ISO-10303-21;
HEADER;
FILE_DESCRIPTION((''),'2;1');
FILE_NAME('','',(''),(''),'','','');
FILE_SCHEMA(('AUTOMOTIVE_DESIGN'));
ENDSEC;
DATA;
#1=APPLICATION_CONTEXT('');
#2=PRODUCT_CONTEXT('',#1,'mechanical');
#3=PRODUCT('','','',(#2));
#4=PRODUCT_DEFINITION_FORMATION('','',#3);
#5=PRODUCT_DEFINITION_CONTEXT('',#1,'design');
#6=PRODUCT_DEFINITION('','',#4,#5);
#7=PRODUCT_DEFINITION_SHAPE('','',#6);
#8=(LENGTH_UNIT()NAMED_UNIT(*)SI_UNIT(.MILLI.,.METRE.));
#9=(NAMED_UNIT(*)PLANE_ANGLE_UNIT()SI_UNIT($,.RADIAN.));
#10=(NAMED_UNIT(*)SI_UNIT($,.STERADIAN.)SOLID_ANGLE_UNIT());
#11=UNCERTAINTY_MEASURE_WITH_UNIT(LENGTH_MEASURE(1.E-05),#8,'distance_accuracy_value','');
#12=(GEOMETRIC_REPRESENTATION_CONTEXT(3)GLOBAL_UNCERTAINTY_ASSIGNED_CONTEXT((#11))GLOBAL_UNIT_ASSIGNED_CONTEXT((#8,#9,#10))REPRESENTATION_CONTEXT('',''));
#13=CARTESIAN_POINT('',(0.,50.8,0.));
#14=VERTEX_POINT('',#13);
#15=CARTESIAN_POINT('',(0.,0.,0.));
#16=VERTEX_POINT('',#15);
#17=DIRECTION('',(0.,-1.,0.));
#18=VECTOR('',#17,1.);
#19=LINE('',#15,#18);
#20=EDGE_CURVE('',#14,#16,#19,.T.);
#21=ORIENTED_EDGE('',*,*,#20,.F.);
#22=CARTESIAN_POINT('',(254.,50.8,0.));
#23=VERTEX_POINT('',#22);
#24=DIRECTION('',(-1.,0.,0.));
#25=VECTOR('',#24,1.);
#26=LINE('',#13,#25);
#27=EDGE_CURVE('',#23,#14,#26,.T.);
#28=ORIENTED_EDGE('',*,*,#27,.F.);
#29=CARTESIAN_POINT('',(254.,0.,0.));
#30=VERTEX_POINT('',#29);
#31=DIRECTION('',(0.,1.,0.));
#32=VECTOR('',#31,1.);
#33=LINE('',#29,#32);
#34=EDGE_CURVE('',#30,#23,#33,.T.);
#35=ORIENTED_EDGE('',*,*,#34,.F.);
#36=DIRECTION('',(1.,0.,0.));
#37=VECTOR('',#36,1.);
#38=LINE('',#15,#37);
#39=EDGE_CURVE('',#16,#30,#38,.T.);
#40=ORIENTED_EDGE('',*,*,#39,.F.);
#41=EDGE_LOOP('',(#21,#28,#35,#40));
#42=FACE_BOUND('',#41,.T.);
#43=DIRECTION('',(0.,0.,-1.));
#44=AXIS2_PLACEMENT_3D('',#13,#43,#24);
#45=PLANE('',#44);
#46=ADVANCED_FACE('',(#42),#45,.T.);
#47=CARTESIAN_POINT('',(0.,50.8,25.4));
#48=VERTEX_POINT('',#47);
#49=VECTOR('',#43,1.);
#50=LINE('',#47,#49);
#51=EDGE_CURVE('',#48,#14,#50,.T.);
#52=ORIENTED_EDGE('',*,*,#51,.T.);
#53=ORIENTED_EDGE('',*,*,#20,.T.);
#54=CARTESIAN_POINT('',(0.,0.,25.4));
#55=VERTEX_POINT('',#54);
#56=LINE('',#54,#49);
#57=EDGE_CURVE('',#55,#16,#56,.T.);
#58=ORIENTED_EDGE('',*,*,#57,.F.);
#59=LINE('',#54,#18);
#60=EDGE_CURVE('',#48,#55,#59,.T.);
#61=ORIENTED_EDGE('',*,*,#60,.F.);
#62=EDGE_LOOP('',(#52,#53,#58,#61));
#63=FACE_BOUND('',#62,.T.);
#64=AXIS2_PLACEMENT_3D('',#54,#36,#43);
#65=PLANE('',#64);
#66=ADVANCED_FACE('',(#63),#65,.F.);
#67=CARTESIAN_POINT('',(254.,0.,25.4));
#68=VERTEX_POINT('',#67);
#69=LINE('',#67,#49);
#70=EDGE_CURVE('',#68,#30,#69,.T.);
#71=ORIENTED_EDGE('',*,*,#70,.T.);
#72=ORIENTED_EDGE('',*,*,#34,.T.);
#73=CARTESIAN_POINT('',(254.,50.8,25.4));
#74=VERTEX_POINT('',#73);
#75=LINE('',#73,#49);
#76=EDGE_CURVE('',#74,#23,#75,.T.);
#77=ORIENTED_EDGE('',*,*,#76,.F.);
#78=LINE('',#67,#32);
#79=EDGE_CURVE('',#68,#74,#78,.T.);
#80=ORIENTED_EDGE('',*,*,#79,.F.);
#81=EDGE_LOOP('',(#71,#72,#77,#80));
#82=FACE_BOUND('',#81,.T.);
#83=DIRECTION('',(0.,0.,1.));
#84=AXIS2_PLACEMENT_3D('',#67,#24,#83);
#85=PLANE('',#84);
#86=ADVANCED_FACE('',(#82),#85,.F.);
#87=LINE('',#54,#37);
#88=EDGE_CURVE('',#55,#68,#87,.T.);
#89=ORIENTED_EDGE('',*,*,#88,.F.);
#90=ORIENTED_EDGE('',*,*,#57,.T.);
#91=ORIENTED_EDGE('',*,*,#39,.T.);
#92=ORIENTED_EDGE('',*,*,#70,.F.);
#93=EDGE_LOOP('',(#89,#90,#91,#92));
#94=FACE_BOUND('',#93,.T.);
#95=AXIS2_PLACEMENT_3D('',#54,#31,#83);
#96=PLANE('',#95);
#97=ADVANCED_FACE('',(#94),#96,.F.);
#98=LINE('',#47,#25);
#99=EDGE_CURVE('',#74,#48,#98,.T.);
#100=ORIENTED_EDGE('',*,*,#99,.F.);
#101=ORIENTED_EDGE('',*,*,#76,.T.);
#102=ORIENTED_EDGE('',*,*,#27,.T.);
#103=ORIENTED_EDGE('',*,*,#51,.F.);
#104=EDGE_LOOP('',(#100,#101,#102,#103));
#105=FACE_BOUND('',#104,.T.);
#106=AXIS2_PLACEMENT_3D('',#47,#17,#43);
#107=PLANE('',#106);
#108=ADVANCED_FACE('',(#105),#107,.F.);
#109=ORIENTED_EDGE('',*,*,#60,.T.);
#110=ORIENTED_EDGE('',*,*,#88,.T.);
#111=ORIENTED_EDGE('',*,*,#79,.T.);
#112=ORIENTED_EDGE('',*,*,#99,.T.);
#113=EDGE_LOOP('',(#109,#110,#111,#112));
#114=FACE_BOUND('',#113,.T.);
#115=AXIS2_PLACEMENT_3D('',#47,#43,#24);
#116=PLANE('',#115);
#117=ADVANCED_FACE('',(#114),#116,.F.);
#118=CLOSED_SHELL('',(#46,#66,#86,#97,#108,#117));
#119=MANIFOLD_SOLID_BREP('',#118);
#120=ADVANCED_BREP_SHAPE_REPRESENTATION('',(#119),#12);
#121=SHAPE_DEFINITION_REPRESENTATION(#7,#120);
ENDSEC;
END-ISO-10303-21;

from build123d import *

# Parameters (mm, degrees)
SKETCH1_W      = 254
SKETCH1_H      = 50.8
EXTRUDE1_DEPTH = 25.4


with BuildPart() as part:
    # Sketch1 → Extrude1 (new body)
    with BuildSketch(Plane.XY):
        with Locations((127, 25.4)):
            Rectangle(SKETCH1_W, SKETCH1_H)
    extrude(amount=EXTRUDE1_DEPTH)


solid = part.part
